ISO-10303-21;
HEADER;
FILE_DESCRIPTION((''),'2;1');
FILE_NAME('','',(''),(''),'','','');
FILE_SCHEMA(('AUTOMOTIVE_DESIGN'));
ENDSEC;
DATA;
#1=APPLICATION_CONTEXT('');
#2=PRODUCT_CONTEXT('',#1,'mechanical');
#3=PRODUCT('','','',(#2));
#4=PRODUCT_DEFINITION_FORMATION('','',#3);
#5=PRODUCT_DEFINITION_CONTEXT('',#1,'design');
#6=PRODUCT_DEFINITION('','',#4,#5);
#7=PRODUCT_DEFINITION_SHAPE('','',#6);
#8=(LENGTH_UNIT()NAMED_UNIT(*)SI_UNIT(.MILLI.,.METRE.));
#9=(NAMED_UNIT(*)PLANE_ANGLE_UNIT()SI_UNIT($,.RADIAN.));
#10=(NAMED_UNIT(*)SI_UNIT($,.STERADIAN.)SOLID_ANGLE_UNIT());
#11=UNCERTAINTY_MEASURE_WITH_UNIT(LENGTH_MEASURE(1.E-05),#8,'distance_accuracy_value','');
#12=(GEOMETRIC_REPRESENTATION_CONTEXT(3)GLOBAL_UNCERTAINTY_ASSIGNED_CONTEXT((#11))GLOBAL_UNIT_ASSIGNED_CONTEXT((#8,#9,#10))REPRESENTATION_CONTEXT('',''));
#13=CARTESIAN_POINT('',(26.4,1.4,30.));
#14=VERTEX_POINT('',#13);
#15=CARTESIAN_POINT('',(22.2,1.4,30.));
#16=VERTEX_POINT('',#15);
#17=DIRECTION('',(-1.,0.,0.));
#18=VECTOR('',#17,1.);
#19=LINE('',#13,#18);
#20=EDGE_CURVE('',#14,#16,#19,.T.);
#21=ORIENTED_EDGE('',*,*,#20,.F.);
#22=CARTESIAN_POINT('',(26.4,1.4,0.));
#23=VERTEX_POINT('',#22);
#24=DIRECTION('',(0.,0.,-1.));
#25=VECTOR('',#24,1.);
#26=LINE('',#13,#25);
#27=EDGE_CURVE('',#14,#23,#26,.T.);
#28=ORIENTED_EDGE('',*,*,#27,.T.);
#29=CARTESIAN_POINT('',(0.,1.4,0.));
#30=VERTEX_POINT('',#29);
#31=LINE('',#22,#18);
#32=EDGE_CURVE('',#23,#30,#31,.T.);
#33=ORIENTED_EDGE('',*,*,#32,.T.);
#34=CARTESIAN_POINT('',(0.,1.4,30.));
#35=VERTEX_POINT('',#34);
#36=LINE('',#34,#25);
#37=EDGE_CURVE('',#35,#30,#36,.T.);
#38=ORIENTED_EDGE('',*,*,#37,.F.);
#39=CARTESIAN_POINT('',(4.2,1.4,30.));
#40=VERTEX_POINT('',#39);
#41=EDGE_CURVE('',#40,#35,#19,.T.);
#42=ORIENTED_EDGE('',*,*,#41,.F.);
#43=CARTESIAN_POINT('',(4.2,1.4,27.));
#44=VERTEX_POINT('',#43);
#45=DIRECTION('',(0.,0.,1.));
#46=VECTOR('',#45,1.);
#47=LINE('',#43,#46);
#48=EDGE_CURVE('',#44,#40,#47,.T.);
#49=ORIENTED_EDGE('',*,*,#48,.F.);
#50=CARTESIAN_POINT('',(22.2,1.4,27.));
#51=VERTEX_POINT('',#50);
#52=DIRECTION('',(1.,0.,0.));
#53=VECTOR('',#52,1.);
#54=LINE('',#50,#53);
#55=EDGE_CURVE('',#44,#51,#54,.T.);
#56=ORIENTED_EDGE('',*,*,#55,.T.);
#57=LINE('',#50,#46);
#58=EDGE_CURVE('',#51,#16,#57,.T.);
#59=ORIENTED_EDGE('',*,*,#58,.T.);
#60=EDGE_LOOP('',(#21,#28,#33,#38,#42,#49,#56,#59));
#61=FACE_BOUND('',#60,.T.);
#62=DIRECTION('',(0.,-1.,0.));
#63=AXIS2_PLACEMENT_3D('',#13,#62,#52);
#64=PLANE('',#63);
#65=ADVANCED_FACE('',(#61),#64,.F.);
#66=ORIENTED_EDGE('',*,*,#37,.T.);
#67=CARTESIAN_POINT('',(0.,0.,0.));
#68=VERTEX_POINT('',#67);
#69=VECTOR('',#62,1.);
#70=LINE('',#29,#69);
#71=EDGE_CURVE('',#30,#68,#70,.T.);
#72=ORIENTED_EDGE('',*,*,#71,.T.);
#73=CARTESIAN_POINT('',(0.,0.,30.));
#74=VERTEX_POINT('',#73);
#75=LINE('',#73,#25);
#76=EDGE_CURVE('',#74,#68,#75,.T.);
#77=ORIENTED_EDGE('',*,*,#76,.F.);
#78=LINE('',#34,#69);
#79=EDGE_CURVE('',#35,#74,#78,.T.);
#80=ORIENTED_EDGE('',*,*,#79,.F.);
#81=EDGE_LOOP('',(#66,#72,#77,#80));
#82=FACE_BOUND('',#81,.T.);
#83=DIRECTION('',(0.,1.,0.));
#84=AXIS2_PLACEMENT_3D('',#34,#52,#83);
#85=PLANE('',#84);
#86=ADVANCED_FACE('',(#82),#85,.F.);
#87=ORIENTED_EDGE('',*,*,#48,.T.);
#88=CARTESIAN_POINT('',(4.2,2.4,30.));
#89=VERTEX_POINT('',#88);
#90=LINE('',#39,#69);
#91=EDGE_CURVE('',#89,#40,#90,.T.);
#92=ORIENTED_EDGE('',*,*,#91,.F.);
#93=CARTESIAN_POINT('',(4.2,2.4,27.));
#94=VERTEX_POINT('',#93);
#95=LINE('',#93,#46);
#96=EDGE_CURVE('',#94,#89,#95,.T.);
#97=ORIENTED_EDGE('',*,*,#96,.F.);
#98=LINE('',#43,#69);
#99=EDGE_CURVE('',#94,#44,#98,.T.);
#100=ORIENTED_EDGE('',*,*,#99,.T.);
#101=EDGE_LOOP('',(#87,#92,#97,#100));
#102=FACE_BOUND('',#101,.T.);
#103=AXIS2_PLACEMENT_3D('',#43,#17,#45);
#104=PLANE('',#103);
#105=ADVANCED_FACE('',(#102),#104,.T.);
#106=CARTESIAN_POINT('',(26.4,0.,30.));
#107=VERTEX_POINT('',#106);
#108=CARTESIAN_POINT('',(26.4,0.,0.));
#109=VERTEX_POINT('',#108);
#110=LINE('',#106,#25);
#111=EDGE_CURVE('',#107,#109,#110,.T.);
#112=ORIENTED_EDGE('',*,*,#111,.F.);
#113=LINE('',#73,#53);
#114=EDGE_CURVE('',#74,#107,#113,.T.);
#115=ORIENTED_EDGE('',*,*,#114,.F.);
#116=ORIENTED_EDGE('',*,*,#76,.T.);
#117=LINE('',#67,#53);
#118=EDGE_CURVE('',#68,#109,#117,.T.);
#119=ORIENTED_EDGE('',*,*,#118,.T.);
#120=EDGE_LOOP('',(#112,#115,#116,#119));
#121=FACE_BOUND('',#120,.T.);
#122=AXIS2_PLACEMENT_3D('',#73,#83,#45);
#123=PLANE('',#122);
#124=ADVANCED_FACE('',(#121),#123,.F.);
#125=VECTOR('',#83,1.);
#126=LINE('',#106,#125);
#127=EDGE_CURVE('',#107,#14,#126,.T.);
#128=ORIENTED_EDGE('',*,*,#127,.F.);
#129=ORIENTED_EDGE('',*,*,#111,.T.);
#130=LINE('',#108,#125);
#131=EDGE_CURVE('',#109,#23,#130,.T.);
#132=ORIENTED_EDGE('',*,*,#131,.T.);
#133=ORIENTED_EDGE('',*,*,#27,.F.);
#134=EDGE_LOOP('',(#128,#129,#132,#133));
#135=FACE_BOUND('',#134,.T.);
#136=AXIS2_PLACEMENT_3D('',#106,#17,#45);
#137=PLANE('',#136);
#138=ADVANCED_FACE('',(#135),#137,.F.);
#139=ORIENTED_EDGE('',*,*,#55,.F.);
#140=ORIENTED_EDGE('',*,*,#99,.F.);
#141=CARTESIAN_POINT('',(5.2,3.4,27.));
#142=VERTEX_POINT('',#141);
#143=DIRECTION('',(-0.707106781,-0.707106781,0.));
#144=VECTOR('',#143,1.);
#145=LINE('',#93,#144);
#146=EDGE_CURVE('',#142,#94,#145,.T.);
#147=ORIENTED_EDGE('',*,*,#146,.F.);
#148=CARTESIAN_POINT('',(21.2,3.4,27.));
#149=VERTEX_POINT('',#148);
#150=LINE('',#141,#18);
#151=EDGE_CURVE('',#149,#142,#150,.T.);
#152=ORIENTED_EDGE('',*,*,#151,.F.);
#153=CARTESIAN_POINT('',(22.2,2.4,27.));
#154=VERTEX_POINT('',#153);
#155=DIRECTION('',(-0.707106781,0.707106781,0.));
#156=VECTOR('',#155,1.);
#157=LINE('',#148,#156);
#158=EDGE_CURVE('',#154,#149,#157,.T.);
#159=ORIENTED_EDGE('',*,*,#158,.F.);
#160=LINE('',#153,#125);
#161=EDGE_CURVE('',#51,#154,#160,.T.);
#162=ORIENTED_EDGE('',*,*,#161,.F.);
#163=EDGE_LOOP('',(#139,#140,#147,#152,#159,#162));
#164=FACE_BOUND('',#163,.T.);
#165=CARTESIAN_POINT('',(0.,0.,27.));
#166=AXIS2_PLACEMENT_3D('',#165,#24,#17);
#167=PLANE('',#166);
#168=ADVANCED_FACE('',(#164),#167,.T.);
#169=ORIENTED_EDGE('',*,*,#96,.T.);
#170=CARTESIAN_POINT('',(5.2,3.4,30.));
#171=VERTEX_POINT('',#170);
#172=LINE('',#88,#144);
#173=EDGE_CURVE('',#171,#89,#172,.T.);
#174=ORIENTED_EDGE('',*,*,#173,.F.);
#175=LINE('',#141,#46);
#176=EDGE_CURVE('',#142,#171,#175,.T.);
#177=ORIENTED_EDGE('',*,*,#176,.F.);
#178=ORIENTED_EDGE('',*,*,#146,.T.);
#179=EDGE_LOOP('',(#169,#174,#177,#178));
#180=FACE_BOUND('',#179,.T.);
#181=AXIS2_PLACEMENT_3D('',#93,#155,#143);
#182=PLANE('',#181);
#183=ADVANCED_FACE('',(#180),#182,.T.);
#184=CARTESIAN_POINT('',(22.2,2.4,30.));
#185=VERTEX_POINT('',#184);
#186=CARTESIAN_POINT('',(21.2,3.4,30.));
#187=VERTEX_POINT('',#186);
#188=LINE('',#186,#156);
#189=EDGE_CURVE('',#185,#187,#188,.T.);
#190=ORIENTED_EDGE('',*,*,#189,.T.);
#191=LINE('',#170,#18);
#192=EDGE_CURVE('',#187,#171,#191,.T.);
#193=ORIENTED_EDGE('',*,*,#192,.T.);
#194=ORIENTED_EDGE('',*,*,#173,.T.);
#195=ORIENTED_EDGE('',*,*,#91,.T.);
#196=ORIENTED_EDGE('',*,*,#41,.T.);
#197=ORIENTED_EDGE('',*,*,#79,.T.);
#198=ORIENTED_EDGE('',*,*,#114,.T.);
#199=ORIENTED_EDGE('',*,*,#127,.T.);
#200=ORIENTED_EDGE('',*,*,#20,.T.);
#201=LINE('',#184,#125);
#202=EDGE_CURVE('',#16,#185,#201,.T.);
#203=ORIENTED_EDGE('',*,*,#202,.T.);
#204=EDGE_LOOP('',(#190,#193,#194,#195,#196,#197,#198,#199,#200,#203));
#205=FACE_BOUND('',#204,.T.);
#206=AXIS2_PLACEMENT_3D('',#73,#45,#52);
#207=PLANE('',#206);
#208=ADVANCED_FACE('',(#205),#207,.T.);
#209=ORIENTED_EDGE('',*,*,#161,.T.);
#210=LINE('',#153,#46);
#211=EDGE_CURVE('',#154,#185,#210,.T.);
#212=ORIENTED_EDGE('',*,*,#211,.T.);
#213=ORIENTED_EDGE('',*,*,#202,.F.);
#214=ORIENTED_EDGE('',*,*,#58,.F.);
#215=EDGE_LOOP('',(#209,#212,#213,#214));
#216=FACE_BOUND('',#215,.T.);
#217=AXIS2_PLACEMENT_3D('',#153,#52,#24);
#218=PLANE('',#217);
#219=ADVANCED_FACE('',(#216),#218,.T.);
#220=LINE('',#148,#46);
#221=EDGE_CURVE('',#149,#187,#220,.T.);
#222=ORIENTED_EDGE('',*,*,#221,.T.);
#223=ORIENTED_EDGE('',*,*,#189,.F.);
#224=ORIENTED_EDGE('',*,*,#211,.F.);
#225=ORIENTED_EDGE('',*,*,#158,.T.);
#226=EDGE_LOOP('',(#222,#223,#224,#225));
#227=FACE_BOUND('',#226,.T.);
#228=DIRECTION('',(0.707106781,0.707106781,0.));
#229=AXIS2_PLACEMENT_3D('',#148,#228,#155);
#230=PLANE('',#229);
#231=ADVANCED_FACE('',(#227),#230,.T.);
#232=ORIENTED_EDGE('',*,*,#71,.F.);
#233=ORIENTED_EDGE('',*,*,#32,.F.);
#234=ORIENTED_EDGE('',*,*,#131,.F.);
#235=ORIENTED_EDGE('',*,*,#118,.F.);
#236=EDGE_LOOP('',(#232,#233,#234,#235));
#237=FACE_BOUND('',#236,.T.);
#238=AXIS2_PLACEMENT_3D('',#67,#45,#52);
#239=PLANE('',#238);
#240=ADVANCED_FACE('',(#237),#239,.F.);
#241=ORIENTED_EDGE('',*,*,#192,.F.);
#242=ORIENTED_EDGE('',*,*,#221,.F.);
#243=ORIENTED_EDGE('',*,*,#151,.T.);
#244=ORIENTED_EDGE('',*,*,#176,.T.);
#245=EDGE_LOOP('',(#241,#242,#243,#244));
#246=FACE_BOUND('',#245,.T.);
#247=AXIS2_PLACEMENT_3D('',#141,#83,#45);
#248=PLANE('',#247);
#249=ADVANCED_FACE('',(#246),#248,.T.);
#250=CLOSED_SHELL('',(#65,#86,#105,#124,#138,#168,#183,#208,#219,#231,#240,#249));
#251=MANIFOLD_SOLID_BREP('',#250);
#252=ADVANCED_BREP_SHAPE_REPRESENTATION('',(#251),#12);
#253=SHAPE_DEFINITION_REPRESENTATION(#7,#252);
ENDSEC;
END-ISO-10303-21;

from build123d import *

# Parameters (mm, degrees)
SKETCH1_W           = 26.4
SKETCH1_H           = 1.4
BOSS_EXTRUDE1_DEPTH = 30
BOSS_EXTRUDE2_DEPTH = 3


with BuildPart() as part:
    # Sketch1 → Boss-Extrude1 (new body)
    with BuildSketch(Plane.XY):
        with Locations((13.2, 0.7)):
            Rectangle(SKETCH1_W, SKETCH1_H)
    extrude(amount=BOSS_EXTRUDE1_DEPTH)

    # Sketch2 → Boss-Extrude2 (add)
    with BuildSketch(Plane.XY.offset(30)):
        Polygon((4.2, 1.4), (4.2, 2.4), (5.2, 3.4), (21.2, 3.4), (22.2, 2.4), (22.2, 1.4), align=None)
    extrude(amount=-BOSS_EXTRUDE2_DEPTH)


solid = part.part
